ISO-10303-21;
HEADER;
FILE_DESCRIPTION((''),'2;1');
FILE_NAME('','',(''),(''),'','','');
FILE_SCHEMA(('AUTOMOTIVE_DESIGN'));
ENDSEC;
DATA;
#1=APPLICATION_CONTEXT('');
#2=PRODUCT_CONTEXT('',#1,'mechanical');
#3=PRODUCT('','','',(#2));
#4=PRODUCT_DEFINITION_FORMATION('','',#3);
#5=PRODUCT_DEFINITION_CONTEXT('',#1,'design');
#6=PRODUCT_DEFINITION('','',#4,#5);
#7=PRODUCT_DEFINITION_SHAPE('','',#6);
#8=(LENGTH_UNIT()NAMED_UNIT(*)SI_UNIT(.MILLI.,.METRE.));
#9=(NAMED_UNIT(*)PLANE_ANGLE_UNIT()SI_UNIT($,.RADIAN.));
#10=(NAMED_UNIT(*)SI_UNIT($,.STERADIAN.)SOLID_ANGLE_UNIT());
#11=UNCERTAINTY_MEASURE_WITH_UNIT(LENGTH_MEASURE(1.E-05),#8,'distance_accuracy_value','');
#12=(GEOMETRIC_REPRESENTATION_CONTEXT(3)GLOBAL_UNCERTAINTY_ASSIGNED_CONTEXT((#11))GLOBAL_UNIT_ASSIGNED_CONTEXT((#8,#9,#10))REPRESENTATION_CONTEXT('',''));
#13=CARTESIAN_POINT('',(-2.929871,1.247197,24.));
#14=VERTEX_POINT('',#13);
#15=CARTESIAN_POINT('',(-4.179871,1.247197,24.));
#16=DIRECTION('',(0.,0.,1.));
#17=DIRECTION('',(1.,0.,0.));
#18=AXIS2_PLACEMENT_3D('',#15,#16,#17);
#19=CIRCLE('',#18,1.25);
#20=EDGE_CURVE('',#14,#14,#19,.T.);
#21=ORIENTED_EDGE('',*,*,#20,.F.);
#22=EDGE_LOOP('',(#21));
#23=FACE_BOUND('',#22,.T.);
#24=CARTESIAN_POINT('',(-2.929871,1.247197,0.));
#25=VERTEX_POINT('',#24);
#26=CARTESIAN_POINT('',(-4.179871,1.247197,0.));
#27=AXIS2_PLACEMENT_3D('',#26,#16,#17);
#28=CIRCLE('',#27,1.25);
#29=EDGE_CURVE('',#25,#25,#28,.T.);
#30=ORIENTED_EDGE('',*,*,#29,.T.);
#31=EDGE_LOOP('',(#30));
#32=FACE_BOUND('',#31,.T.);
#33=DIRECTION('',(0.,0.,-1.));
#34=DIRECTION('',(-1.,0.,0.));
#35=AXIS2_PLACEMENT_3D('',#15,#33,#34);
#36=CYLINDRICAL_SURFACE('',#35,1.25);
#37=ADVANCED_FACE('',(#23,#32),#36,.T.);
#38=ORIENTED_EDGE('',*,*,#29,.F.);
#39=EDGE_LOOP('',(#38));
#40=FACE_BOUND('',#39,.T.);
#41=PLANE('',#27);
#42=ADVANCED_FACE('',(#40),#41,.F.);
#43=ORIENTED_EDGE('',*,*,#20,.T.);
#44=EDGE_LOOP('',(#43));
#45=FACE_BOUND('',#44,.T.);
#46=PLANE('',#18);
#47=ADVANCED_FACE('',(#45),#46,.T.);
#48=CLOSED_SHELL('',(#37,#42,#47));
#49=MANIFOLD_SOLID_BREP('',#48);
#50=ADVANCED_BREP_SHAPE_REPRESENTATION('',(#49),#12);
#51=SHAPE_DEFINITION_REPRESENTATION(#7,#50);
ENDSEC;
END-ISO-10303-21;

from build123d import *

# Parameters (mm, degrees)
SKIZZE1_R                       = 1.25
AUFSATZ_LINEAR_AUSTRAGEN1_DEPTH = 24


with BuildPart() as part:
    # Skizze1 → Aufsatz-Linear austragen1 (new body)
    with BuildSketch(Plane.XY):
        with Locations((-4.179870945, 1.247197002)):
            Circle(SKIZZE1_R)
    extrude(amount=AUFSATZ_LINEAR_AUSTRAGEN1_DEPTH)


solid = part.part
